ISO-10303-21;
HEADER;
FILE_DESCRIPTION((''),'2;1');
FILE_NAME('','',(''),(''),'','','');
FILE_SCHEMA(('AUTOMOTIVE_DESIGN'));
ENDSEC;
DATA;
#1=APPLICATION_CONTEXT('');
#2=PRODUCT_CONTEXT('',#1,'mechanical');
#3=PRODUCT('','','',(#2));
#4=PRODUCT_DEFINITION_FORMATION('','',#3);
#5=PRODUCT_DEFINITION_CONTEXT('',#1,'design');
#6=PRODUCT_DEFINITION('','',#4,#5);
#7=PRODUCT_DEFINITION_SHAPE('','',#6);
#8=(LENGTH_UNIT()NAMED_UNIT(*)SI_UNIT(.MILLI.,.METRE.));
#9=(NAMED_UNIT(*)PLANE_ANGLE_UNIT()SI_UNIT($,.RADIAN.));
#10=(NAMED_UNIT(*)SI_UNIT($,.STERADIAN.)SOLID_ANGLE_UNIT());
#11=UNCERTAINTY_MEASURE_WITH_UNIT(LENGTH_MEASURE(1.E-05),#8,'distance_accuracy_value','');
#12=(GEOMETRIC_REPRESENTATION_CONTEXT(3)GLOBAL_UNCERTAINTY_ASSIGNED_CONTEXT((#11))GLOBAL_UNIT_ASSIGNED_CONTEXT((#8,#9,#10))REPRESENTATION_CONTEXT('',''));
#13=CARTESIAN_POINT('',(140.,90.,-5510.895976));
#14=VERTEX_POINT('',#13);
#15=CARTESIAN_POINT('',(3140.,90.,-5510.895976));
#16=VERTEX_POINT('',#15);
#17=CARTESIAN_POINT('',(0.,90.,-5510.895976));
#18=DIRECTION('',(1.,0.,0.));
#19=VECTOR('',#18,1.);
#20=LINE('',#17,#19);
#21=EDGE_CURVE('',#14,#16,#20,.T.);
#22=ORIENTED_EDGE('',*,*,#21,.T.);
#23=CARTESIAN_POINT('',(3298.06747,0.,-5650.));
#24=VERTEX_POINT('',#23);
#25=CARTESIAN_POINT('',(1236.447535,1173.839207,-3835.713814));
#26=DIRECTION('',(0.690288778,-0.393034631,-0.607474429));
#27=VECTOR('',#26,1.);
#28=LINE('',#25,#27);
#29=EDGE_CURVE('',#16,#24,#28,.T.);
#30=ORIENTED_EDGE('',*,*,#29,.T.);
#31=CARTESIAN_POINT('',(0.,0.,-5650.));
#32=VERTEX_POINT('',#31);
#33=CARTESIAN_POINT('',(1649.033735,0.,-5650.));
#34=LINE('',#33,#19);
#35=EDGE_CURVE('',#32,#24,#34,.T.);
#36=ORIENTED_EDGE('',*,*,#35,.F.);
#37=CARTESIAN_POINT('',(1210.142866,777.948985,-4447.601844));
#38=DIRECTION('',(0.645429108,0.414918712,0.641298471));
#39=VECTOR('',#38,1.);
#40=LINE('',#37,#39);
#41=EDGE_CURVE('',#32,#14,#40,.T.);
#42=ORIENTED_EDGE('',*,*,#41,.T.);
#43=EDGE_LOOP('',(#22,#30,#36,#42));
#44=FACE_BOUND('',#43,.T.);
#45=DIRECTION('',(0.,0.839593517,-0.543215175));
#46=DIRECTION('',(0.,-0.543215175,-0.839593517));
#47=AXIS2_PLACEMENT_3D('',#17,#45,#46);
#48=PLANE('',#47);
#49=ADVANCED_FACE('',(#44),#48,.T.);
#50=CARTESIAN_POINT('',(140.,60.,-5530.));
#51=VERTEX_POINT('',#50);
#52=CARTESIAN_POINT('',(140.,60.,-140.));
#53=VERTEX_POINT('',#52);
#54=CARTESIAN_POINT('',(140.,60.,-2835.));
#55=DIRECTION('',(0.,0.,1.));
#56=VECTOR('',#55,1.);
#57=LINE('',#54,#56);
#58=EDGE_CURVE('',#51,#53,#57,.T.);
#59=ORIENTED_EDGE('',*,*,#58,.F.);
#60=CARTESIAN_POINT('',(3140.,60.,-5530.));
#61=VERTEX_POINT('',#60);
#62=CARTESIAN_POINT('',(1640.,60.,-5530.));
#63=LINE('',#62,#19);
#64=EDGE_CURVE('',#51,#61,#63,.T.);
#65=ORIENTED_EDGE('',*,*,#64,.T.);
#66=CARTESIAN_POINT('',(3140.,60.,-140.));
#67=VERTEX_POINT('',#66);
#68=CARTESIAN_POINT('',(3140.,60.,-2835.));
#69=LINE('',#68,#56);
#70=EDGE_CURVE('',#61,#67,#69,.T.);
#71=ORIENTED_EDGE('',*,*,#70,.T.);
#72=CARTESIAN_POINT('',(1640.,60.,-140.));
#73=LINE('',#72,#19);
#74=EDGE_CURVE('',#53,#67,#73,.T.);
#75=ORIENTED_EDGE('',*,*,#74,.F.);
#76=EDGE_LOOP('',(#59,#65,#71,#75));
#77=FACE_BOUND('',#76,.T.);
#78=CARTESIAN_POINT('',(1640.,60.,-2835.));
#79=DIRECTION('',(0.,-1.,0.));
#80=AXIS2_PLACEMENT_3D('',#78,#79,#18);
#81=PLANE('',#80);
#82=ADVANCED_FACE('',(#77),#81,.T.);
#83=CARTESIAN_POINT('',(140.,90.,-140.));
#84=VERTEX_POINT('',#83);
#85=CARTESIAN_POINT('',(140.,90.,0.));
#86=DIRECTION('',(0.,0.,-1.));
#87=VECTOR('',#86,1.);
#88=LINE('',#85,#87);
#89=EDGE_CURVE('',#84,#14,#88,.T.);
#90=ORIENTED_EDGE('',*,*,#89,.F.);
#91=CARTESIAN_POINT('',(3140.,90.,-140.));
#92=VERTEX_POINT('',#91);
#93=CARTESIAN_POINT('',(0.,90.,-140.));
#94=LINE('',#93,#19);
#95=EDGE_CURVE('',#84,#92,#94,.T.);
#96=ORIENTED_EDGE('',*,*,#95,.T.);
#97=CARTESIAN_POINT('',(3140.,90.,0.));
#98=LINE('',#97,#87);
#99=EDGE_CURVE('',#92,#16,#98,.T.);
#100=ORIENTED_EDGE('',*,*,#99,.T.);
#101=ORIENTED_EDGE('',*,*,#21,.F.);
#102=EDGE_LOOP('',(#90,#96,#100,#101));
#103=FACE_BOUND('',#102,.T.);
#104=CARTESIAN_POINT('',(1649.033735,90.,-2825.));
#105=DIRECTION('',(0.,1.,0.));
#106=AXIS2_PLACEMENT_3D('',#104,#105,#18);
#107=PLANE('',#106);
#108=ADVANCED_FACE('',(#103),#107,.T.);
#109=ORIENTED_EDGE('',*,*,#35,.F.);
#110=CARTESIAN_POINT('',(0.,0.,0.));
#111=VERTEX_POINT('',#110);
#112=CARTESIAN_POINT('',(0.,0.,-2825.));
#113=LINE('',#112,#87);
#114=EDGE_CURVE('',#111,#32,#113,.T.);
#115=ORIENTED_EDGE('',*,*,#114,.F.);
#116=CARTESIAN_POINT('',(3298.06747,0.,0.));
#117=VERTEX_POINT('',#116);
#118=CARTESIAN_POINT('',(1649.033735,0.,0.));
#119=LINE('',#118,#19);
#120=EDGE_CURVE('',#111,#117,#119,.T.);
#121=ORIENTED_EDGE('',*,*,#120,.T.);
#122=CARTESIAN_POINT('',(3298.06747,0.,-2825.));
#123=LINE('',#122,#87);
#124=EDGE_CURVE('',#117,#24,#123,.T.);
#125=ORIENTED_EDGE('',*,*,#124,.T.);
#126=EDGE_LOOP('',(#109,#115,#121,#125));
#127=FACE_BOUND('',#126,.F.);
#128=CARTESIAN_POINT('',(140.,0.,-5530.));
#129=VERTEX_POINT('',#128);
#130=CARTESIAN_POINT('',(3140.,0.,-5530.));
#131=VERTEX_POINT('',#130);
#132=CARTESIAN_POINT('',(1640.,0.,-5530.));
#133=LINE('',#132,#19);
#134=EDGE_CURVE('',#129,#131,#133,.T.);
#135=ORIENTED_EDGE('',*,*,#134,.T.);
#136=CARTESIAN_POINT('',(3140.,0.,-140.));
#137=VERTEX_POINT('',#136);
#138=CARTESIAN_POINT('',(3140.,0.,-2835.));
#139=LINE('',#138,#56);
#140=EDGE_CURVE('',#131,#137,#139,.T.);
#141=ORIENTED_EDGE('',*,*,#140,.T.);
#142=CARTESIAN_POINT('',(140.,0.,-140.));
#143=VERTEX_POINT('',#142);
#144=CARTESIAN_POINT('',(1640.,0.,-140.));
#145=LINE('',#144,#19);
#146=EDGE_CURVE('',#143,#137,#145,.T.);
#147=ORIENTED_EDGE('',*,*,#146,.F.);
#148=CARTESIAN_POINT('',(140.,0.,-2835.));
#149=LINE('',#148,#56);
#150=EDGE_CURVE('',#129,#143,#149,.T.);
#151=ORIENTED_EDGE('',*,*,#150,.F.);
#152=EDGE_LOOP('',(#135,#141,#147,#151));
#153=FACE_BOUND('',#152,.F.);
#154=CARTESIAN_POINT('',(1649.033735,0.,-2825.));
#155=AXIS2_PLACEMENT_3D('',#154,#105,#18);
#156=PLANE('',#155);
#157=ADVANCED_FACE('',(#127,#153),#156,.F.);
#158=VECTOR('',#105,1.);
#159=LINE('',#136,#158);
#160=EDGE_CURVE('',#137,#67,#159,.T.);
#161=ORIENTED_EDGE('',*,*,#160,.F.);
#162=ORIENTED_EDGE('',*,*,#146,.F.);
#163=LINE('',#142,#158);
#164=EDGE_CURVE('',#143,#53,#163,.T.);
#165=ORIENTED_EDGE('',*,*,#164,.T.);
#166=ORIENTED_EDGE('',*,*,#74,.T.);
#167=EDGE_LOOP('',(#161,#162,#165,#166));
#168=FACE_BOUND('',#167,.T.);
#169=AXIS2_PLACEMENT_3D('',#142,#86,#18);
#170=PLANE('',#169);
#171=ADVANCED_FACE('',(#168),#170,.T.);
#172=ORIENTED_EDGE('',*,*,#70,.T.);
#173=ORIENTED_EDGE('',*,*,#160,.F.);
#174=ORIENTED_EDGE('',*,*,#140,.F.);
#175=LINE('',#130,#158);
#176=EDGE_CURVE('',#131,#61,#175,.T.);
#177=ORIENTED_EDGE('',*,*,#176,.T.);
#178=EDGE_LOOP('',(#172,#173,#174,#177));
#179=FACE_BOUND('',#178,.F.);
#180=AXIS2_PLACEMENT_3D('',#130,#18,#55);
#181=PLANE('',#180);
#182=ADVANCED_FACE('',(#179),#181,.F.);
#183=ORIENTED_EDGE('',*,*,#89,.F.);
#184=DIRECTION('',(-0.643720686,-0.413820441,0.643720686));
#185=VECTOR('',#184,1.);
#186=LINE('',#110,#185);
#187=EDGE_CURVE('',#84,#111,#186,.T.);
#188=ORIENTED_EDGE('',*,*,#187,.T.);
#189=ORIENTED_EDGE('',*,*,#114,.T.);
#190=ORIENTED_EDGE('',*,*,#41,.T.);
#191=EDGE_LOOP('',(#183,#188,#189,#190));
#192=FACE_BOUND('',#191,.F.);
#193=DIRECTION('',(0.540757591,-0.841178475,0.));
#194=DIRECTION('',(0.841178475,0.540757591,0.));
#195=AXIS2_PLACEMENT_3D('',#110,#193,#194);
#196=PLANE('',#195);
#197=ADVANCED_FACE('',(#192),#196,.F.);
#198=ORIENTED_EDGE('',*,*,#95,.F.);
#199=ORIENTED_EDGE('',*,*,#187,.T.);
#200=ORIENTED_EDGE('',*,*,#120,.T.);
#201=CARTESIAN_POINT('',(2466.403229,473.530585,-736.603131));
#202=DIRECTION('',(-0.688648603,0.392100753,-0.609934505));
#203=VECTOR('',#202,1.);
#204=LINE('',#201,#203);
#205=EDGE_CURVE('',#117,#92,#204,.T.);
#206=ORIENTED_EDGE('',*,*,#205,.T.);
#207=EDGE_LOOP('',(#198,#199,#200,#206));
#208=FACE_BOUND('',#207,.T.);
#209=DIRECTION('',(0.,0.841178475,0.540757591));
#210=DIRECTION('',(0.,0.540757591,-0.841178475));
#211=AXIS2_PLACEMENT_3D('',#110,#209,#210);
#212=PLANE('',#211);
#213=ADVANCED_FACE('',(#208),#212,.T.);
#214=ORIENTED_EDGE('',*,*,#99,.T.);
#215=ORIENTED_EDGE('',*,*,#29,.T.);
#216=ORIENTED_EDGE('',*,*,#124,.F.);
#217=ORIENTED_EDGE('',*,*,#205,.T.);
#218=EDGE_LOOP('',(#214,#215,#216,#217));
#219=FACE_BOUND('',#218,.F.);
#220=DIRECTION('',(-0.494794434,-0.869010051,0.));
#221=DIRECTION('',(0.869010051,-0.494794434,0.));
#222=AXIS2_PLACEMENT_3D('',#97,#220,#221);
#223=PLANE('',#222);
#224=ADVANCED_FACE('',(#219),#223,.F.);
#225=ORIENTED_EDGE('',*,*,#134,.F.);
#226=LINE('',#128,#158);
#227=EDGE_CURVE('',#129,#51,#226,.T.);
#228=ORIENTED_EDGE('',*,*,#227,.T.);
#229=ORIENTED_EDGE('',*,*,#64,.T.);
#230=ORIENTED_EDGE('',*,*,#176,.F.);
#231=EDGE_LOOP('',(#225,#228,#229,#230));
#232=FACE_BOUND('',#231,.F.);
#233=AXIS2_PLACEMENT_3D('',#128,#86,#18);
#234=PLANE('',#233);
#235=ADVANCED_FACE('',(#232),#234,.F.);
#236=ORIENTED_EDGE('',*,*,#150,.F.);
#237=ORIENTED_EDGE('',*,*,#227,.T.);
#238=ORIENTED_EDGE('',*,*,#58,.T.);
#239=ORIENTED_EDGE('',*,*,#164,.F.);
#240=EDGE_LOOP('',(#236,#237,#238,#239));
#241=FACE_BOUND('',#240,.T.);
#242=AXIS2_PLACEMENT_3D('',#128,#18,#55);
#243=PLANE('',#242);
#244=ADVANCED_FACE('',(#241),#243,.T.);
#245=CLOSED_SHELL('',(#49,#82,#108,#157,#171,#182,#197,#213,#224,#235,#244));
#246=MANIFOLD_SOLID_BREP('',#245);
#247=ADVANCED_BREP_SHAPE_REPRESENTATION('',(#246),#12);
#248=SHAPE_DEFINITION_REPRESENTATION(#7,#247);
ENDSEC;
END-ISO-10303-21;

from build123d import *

# Parameters (mm, degrees)
SKETCH_1_W          = 3298.067470497
SKETCH_1_H          = 5650
EXTRUDE_1_DEPTH     = 90
SKETCH_2_OUTSIDE_W  = 4608.621
SKETCH_2_OUTSIDE_H  = 1400.554
CUT_EXTRUDE_1_DEPTH = 5651
SKETCH_3_OUTSIDE_W  = 6960.554
SKETCH_3_OUTSIDE_H  = 1400.554
CUT_EXTRUDE_4_DEPTH = 3299.067470497
SKETCH_4_W          = 3000
SKETCH_4_H          = 5390
CUT_EXTRUDE_5_DEPTH = 60


with BuildPart() as part:
    # Эскиз1 → Бобышка-Вытянуть1 (new body)
    with BuildSketch(Plane(origin=(0, 0, 0), x_dir=(1, 0, 0), z_dir=(0, 1, 0))):
        with Locations((1649.033735249, 2825)):
            Rectangle(SKETCH_1_W, SKETCH_1_H)
    extrude(amount=EXTRUDE_1_DEPTH)

    # Эскиз2 outside → Вырез-Вытянуть1 (cut, through all)
    with BuildSketch(Plane.XY):
        with Locations((1649.0335, 45)):
            Rectangle(SKETCH_2_OUTSIDE_W, SKETCH_2_OUTSIDE_H)
        Polygon((0, 0), (140, 90), (3140, 90), (3298.067470497, 0), align=None, mode=Mode.SUBTRACT)
    extrude(amount=-CUT_EXTRUDE_1_DEPTH, mode=Mode.SUBTRACT)

    # Эскиз3 outside → Вырез-Вытянуть4 (cut, through all)
    with BuildSketch(Plane(origin=(0, 0, 0), x_dir=(0, 0, -1), z_dir=(1, 0, 0))):
        with Locations((2825, 45)):
            Rectangle(SKETCH_3_OUTSIDE_W, SKETCH_3_OUTSIDE_H)
        Polygon((0, 0), (140, 90), (5510.895976381, 90), (5650, 0), align=None, mode=Mode.SUBTRACT)
    extrude(amount=CUT_EXTRUDE_4_DEPTH, mode=Mode.SUBTRACT)

    # Эскиз4 → Вырез-Вытянуть5 (cut)
    with BuildSketch(Plane.XZ):
        with Locations((1640, -2835)):
            Rectangle(SKETCH_4_W, SKETCH_4_H)
    extrude(amount=-CUT_EXTRUDE_5_DEPTH, mode=Mode.SUBTRACT)


solid = part.part
